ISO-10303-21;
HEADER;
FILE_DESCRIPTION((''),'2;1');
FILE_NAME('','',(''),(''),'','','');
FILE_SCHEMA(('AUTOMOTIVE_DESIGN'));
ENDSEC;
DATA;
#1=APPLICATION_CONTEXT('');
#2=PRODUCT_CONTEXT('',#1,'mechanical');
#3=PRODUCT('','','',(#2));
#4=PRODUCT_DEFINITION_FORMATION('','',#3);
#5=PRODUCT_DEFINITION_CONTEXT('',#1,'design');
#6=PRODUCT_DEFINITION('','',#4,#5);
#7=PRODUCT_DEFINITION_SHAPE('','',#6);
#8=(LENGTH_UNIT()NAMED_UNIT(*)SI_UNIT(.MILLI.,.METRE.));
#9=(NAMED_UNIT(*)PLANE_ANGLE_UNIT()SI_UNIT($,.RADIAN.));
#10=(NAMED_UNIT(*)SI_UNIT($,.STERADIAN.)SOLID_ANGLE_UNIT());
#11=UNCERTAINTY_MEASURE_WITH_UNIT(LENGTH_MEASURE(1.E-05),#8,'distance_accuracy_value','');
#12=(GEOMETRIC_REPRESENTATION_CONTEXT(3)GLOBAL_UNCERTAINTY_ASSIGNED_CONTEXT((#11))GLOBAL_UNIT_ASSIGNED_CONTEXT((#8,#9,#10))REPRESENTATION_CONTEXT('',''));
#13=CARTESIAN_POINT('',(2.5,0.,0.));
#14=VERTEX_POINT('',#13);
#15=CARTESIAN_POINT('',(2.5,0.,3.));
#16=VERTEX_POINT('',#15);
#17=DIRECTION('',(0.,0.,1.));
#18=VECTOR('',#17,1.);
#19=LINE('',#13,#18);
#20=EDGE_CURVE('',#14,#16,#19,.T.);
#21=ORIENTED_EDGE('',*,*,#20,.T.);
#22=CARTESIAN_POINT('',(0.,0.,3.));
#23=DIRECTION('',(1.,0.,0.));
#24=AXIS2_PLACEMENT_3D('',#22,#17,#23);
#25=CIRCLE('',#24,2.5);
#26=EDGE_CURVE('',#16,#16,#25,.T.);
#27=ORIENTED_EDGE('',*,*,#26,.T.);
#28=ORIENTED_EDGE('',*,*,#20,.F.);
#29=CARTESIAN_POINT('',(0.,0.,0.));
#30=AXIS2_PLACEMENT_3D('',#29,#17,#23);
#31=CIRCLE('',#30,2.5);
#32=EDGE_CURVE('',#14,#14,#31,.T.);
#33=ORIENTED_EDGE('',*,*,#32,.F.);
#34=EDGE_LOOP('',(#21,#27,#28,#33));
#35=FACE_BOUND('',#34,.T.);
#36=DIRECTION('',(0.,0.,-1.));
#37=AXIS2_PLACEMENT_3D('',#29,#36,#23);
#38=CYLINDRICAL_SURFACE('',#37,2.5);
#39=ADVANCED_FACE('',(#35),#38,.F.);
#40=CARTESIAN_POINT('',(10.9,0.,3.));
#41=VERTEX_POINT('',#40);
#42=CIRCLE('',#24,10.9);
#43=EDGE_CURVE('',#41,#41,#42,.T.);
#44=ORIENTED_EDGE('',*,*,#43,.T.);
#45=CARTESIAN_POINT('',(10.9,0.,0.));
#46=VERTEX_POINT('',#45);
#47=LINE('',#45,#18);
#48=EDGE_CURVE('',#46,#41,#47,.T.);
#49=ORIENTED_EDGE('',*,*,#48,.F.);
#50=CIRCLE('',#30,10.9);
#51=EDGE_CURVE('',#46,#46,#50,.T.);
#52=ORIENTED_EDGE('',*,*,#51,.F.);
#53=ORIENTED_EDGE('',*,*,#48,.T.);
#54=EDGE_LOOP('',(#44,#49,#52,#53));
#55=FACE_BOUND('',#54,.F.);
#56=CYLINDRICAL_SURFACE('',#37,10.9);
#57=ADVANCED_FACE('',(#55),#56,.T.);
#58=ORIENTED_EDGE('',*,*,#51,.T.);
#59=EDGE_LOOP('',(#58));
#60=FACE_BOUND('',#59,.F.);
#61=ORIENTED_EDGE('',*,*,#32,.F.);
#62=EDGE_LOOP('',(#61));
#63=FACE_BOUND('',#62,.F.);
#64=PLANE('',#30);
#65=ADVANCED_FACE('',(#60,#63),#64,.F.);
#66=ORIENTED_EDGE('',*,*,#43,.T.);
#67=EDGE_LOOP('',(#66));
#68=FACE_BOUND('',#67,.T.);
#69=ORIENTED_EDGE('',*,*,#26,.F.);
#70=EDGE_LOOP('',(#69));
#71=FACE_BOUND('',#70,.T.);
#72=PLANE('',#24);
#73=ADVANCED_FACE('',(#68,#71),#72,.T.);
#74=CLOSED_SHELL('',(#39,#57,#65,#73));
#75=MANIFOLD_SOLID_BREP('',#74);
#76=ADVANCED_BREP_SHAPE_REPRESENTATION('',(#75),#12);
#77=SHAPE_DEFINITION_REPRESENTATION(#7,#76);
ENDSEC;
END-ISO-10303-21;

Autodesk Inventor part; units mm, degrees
ref_plane "YZ Plane" through (0, 0, 0) normal (1, 0, 0) x (0, 1, 0)
ref_plane "XZ Plane" through (0, 0, 0) normal (0, 1, 0) x (-1, 0, 0)
ref_plane "XY Plane" through (0, 0, 0) normal (0, 0, 1) x (1, 0, 0)
sketch "Sketch1" plane through (0, 0, 0) normal (0, 0, 1) x (1, 0, 0)
  circle A0 centre (0, 0) radius 10.9
  circle A1 centre (0, 0) radius 2.5
  dimension "d0" = 21.8
  dimension "d1" = 5
extrude "Extrusion1" add sketch "Sketch1" along normal blind 3
properties part number "WHEEL_ADAPTER_LID"
